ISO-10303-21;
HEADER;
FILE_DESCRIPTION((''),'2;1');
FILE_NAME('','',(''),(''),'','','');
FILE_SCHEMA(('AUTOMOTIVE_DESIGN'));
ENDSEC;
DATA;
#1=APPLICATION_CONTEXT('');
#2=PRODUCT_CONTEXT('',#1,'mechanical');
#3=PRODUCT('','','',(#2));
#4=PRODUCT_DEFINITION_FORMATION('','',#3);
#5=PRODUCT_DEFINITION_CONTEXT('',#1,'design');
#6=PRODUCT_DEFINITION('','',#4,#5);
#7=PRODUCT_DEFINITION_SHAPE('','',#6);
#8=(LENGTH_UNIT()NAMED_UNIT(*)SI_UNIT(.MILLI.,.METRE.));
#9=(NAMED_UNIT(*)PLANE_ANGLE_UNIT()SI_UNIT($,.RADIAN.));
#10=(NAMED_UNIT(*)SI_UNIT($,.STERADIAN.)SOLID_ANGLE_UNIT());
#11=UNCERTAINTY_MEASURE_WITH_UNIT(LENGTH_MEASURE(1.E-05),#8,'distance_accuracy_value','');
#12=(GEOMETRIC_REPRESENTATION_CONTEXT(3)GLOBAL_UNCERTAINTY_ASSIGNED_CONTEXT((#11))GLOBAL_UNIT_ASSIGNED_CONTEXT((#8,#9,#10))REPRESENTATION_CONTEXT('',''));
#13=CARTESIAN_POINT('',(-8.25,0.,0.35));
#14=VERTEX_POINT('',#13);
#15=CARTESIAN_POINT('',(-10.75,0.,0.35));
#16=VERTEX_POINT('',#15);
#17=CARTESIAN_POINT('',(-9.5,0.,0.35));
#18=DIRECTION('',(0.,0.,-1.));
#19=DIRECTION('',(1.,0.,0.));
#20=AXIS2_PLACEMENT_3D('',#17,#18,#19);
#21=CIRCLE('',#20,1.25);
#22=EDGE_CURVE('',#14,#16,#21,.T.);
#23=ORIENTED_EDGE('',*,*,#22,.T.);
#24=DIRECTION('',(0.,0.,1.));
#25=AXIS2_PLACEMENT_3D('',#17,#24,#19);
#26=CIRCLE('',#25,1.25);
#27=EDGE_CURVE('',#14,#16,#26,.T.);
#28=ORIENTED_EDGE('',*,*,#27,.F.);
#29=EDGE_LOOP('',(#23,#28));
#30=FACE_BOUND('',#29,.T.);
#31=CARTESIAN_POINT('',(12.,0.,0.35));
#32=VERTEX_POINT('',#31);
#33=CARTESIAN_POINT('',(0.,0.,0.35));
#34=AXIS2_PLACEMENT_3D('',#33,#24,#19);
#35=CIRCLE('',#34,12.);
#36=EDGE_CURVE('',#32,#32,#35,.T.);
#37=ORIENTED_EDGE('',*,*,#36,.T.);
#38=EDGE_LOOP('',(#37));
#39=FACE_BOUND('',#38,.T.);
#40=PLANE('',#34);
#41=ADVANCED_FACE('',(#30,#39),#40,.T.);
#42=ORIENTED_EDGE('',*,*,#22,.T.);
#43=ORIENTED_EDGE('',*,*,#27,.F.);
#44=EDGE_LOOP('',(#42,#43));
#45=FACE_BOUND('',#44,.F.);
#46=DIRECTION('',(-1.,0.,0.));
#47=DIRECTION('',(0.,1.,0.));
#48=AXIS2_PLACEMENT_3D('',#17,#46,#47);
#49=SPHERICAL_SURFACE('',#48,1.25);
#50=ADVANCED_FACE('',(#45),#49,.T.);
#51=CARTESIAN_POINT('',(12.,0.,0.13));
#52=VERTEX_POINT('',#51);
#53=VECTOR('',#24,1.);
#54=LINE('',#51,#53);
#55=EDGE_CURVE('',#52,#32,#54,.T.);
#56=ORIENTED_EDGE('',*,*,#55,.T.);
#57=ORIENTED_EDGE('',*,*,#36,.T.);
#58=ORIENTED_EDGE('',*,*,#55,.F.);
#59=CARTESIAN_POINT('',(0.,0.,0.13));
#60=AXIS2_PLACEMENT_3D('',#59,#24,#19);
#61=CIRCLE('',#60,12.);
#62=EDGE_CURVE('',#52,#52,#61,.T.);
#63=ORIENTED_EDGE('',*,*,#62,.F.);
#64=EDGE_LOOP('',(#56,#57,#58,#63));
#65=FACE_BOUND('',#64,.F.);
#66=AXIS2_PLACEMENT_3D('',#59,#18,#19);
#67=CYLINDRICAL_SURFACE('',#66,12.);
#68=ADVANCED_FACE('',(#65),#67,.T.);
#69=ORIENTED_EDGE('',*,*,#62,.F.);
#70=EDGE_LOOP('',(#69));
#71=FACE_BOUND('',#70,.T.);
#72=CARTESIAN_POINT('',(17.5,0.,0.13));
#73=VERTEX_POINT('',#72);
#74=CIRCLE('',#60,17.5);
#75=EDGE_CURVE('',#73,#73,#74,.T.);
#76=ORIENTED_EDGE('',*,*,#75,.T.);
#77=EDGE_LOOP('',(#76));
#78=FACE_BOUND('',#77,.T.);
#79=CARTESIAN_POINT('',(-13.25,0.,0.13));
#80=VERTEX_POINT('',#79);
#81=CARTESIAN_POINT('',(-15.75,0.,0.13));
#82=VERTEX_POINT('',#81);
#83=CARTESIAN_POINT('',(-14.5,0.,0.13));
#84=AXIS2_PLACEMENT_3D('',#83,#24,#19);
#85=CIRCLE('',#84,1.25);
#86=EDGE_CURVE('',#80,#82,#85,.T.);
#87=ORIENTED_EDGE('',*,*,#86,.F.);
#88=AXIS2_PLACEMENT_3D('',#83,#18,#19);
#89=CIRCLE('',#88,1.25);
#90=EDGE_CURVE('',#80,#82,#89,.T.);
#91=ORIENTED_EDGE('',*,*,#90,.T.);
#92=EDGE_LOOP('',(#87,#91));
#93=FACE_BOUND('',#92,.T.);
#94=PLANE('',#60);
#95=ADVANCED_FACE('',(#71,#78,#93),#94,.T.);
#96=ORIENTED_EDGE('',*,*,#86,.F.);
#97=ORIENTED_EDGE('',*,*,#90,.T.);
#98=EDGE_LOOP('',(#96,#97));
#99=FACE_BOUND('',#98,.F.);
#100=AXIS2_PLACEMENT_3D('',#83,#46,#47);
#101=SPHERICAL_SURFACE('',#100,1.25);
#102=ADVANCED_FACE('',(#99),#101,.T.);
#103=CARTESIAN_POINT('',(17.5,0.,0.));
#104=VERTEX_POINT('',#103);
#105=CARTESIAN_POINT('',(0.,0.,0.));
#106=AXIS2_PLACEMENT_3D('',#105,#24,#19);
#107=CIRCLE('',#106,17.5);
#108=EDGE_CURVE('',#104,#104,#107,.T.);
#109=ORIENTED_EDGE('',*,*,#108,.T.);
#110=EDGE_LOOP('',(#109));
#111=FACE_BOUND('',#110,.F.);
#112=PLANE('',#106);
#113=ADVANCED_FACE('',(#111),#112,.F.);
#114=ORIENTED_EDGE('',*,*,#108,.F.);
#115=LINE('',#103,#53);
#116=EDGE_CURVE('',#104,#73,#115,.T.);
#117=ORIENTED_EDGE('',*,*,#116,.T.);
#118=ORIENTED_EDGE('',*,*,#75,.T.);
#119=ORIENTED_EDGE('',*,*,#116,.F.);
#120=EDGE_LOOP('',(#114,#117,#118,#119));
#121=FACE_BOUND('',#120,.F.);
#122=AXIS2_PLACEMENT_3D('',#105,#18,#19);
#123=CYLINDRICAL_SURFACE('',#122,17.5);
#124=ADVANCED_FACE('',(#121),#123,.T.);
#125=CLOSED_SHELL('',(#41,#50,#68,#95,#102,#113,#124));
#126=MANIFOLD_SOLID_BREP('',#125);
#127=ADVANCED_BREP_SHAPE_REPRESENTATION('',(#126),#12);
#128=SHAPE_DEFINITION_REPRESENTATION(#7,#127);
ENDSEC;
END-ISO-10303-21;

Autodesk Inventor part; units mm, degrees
ref_plane "YZ Plane" through (0, 0, 0) normal (1, 0, 0) x (0, 1, 0)
ref_plane "XZ Plane" through (0, 0, 0) normal (0, 1, 0) x (-1, 0, 0)
ref_plane "XY Plane" through (0, 0, 0) normal (0, 0, 1) x (1, 0, 0)
sketch "Sketch1" plane through (0, 0, 0) normal (0, 0, 1) x (1, 0, 0)
  circle A0 centre (0, 0) radius 17.5
  dimension "d0" = 35
extrude "Extrusion1" add sketch "Sketch1" along normal blind 0.13
sketch "Sketch2" plane through (0, 0, 0.13) normal (0, 0, 1) x (1, 0, 0)
  circle A0 centre (0, 0) radius 12
  dimension "d3" = 24
extrude "Extrusion2" add sketch "Sketch2" along normal blind 0.22
sketch "Sketch3" plane through (0, 0, 0.13) normal (0, 0, 1) x (1, 0, 0)
  circle A0 centre (0, 0) radius 17.5 projected
  line L0 (-17.5, 0) -> (-14.5, 0)
  circle A1 centre (-14.5, 0) radius 1.25
  line L1 (-14.5, 0) -> (-13.25, 0)
  point P0 (-15.75, 0)
  dimension "d7" = 2.5
  dimension "d6" = 3
revolve "Revolution1" add sketch "Sketch3" angle 180 about axis through (-17.5, 0, 0.13) along (1, 0, 0) picked at (-14.1156, 0.7325) contours A1 L1 L0
sketch "Sketch4" plane through (0, 0, 0.35) normal (0, 0, 1) x (1, 0, 0)
  circle A0 centre (-14.5, 0) radius 1.25 projected
  circle A1 centre (0, 0) radius 12 projected
  circle A2 centre (0, 0) radius 17.5 projected
  circle A3 centre (0, 0) radius 17.5 projected
  line L0 (-17.5, 0) -> (-9.5, 0)
  circle A4 centre (-9.5, 0) radius 1.25
  line L1 (-9.5, 0) -> (-8.25, 0)
  point P0 (-10.75, 0)
  dimension "d10" = 2.5
  dimension "d9" = 8
revolve "Revolution2" add sketch "Sketch4" angle 180 about axis through (-17.5, 0, 0.35) along (1, 0, 0) picked at (-9.1156, 0.7325) contours A4 L1 L0
properties part number "Piezo"
